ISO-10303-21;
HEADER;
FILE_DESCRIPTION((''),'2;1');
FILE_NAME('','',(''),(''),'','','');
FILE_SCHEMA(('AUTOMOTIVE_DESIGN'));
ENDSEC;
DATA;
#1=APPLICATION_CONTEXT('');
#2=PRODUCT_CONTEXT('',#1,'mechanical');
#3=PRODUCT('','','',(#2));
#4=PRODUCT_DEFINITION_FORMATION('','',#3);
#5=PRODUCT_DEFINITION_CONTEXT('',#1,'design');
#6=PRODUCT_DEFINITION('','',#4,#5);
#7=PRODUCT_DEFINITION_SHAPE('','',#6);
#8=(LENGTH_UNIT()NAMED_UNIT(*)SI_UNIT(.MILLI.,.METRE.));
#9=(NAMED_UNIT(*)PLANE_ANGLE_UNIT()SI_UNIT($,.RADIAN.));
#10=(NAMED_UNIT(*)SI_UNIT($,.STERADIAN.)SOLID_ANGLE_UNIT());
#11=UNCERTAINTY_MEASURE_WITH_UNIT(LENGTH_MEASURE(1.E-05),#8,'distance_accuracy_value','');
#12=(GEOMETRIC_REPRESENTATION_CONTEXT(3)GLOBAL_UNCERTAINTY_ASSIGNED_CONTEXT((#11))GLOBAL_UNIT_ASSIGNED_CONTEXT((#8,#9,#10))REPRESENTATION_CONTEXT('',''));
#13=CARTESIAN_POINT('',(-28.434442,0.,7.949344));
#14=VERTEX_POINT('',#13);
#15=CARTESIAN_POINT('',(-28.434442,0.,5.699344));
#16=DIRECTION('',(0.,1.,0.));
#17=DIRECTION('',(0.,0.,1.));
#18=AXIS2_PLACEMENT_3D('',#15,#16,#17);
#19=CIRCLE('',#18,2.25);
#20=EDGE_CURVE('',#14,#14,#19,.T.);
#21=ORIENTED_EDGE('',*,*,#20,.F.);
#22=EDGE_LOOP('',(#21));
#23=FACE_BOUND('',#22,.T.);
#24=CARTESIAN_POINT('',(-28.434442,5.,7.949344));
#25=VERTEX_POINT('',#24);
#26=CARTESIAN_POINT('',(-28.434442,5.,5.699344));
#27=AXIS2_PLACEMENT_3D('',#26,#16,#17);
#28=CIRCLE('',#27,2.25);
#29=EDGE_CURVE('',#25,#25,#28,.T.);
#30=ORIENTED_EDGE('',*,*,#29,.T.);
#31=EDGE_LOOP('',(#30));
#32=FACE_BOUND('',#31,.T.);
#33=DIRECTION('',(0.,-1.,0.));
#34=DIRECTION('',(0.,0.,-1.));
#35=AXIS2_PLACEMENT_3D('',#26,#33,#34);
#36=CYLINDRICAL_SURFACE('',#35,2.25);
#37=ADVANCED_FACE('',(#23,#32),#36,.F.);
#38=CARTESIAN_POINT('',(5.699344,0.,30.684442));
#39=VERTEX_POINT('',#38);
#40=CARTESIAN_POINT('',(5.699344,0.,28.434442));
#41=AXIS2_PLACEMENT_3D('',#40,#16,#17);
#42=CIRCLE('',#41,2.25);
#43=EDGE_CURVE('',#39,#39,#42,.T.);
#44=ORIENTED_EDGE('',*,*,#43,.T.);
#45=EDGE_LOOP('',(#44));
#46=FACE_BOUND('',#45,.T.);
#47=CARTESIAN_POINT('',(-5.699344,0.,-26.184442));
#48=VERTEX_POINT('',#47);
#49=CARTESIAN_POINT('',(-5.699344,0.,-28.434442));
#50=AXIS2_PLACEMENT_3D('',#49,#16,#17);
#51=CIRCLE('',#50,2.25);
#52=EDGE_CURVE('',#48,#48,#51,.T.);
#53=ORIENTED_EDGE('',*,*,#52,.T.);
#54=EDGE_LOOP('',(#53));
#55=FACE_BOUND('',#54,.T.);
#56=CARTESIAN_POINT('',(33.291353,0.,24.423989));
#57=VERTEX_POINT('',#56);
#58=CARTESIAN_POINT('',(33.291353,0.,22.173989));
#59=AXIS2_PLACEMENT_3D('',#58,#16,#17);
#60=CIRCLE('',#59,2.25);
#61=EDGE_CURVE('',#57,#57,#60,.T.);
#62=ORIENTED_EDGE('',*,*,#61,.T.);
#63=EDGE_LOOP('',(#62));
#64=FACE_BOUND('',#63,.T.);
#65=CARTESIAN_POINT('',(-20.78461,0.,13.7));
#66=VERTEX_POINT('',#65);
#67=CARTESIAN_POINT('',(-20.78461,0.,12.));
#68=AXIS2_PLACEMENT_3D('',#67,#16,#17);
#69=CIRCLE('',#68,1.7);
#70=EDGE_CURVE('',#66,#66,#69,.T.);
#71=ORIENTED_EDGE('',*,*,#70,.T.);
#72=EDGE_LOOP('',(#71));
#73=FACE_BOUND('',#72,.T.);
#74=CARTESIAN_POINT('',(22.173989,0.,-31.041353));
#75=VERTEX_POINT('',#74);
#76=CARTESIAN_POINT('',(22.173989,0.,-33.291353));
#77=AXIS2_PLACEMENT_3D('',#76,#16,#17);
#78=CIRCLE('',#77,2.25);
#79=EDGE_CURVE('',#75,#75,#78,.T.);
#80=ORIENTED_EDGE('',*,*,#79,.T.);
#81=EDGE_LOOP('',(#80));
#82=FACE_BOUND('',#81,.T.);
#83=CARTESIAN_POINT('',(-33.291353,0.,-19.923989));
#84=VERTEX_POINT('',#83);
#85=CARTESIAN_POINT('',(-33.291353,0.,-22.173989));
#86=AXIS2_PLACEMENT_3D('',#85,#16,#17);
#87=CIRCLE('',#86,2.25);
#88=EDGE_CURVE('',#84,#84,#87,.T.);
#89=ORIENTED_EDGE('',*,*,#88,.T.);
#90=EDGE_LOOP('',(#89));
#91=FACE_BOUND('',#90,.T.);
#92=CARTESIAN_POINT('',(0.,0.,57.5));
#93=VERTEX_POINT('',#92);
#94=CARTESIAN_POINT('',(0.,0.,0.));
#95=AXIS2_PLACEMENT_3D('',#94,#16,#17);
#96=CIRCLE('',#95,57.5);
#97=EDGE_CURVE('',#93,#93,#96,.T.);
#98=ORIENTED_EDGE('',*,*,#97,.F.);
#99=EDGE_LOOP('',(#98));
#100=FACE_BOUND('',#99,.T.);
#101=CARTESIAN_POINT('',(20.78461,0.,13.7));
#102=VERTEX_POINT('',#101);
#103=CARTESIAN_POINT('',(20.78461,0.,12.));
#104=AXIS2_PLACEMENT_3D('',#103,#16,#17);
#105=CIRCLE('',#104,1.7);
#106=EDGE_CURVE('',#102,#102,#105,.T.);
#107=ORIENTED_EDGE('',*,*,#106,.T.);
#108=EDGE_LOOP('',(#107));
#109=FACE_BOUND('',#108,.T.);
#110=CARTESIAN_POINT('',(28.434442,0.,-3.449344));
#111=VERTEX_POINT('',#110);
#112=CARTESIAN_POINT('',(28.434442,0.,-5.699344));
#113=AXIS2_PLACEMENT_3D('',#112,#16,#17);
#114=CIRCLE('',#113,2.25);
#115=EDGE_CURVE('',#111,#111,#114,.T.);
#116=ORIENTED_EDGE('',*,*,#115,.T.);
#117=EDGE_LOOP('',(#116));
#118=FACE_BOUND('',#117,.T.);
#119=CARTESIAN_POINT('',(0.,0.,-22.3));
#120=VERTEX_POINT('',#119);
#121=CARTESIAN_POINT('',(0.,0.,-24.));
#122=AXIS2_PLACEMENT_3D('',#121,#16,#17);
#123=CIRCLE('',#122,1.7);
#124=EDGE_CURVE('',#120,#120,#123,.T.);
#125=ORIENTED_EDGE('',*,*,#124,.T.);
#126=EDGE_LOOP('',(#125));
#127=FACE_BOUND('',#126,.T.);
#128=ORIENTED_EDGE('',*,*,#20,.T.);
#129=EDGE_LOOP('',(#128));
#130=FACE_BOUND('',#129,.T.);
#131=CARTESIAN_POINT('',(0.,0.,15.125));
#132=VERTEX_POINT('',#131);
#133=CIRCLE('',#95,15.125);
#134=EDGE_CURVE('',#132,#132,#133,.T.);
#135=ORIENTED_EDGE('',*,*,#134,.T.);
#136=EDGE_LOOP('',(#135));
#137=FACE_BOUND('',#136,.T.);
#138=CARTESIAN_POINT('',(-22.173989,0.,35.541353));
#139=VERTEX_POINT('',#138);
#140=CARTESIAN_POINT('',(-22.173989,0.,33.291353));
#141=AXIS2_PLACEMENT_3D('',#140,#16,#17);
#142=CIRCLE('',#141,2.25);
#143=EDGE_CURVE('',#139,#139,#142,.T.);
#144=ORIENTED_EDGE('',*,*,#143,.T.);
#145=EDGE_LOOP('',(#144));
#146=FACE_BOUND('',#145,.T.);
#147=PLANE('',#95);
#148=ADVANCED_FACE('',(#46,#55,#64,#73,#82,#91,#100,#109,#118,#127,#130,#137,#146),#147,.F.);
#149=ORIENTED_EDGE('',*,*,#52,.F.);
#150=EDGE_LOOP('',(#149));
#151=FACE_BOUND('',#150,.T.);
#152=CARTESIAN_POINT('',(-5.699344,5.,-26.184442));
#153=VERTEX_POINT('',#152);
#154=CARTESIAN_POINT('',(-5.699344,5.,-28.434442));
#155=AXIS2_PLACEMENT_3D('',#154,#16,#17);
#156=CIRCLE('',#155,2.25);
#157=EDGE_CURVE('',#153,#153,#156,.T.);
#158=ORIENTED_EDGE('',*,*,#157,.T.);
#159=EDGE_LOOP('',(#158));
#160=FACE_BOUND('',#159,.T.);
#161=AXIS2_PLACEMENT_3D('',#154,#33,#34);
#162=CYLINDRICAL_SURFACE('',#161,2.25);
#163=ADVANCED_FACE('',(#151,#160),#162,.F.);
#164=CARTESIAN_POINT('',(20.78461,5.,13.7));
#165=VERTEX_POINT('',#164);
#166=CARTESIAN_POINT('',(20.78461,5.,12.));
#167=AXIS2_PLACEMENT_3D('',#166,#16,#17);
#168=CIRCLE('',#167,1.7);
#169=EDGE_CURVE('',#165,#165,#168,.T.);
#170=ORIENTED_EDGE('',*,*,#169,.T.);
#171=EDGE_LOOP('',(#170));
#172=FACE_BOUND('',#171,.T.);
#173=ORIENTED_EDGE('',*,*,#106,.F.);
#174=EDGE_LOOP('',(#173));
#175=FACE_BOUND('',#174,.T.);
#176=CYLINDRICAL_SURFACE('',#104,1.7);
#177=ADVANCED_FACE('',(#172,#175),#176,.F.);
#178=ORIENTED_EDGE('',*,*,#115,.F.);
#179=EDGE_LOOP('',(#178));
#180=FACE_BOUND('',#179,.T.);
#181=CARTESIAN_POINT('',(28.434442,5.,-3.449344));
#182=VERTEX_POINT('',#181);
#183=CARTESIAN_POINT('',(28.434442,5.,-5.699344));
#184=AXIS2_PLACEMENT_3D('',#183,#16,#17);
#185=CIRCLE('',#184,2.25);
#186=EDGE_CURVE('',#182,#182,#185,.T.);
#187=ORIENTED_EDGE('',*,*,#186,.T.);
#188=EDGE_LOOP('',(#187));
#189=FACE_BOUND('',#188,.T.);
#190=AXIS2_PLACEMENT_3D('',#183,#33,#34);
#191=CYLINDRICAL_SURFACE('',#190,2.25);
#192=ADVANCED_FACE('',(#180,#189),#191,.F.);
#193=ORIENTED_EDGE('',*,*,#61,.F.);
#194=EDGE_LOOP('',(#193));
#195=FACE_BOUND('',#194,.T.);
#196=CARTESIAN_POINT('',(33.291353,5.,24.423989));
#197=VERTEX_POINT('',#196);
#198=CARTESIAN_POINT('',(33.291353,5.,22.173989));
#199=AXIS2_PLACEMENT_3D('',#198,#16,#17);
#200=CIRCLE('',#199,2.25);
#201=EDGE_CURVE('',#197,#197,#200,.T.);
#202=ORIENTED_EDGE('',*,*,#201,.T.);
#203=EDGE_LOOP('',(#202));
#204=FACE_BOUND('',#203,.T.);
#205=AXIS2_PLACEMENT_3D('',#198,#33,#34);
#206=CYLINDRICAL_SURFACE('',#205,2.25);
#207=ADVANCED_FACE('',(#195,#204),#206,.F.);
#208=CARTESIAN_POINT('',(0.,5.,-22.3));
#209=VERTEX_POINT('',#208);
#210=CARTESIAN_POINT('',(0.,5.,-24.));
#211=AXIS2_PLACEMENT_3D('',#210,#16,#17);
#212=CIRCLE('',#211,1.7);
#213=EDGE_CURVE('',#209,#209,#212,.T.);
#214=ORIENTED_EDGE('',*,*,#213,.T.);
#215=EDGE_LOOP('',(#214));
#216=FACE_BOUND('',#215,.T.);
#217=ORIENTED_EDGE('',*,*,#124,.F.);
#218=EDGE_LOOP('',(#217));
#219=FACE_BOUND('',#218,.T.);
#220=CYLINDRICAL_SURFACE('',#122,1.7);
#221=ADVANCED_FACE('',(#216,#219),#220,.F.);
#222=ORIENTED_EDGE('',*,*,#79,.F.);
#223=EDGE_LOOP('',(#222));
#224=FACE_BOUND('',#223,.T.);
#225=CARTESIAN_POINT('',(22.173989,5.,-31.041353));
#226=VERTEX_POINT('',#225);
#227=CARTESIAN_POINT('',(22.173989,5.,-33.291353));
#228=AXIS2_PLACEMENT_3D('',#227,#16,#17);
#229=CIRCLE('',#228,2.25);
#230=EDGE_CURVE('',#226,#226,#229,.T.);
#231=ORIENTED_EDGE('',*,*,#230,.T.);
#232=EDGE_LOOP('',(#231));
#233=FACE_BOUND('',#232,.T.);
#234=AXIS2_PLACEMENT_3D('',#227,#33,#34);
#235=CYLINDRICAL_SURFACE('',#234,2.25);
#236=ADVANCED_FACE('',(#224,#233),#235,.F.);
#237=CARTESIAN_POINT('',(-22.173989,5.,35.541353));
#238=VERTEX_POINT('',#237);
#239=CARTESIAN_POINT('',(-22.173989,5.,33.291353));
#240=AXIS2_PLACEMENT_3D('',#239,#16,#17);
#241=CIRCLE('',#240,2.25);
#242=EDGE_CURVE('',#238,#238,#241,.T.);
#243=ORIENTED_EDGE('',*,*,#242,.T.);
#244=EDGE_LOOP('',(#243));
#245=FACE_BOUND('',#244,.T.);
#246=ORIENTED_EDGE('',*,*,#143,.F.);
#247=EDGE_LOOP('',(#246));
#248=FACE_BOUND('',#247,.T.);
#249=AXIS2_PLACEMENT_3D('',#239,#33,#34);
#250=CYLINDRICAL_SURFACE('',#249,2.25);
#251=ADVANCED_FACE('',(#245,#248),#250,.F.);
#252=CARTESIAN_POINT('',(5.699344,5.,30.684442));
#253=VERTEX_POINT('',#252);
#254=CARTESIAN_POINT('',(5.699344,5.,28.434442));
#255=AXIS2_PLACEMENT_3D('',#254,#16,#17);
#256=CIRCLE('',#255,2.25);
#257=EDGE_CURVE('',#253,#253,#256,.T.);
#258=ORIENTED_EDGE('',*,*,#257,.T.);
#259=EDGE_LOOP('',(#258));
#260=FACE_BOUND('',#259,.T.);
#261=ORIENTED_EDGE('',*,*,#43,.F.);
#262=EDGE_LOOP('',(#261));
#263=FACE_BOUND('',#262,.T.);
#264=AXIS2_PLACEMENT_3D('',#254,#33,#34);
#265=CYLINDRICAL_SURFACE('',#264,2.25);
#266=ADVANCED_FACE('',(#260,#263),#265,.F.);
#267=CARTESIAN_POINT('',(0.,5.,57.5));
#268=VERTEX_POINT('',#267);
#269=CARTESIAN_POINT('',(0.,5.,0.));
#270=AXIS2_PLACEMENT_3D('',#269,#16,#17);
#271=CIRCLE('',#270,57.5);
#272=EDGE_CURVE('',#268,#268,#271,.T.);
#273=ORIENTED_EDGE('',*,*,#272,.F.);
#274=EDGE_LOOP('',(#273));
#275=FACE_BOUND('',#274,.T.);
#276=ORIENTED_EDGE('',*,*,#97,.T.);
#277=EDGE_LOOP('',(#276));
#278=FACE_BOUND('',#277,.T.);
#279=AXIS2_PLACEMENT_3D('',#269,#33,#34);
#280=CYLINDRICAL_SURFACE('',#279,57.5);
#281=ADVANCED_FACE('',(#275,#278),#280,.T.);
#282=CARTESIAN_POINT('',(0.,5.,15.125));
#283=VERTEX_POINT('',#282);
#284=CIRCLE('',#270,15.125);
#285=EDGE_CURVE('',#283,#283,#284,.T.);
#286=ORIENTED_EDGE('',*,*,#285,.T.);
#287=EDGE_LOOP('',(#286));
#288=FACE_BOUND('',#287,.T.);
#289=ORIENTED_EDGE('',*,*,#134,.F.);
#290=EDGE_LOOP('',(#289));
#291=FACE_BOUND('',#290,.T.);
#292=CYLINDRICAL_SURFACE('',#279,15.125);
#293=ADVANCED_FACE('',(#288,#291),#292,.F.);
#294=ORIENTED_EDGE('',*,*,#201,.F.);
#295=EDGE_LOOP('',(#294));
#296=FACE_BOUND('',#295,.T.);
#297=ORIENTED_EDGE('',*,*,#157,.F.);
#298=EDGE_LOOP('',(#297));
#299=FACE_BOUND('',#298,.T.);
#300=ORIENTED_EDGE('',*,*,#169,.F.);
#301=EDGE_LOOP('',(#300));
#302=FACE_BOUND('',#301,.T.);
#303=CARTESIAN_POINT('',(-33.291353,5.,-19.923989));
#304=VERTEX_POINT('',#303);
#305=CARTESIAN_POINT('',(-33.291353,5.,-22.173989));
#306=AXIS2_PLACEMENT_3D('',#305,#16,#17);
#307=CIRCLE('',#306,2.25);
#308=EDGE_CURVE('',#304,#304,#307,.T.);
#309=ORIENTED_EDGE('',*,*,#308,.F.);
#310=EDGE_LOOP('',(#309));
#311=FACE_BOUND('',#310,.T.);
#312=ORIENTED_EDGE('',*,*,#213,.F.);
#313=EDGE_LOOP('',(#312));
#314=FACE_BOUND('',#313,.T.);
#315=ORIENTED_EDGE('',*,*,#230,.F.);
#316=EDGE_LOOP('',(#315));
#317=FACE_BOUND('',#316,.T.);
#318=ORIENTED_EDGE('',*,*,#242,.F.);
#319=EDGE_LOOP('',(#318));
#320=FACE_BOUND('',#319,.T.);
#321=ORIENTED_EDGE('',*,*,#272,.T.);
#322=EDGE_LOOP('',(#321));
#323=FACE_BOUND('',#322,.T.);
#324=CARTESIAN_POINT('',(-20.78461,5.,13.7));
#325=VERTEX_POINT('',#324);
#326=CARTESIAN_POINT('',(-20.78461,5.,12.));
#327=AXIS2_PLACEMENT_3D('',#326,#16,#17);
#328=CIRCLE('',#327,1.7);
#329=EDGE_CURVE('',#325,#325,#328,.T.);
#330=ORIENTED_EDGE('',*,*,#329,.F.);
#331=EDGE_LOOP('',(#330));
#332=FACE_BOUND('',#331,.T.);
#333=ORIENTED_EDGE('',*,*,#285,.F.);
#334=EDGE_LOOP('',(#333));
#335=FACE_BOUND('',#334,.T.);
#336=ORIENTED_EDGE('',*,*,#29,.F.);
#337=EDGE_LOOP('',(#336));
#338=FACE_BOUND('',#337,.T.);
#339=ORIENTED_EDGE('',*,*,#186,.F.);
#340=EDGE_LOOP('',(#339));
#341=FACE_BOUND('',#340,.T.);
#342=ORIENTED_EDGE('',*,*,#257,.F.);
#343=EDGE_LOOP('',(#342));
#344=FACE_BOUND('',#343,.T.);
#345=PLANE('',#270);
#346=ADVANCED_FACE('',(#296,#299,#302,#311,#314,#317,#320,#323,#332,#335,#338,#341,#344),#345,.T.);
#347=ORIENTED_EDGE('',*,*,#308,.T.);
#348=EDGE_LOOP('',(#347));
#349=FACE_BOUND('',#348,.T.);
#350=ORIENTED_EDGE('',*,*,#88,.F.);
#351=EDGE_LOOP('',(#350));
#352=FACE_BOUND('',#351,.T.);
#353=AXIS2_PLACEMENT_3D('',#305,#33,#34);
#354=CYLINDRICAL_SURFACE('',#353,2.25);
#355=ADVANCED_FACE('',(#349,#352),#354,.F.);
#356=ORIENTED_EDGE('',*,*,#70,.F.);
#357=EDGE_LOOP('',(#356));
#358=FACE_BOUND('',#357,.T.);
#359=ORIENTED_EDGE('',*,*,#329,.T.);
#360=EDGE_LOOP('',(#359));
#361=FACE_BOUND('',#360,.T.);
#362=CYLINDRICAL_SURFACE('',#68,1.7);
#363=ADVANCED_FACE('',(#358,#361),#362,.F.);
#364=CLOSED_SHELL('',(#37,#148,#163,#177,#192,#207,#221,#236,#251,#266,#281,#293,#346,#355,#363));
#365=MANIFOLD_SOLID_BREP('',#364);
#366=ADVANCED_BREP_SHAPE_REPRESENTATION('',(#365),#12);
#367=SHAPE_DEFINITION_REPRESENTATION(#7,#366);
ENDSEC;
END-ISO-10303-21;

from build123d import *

# Parameters (mm, degrees)
SKETCH1_R           = 57.5
SKETCH1_R_2         = 15.125
SKETCH1_R_3         = 2.25
BOSS_EXTRUDE1_DEPTH = 5
SKETCH3_R           = 1.7
CUT_EXTRUDE1_DEPTH  = 82.470853684


with BuildPart() as part:
    # Sketch1 → Boss-Extrude1 (new body)
    with BuildSketch(Plane(origin=(0, 0, 0), x_dir=(1, 0, 0), z_dir=(0, 1, 0))):
        with Locations(Location((0, 0, 0), (0, 0, 270))):
            Circle(SKETCH1_R)
        with Locations(Location((0, 0, 0), (0, 0, 270))):
            Circle(SKETCH1_R_2, mode=Mode.SUBTRACT)
        with Locations(Location((5.699343677, -28.434441821, 0), (0, 0, 270))):
            Circle(SKETCH1_R_3, mode=Mode.SUBTRACT)
        with Locations(Location((33.29135337, -22.173989059, 0), (0, 0, 270))):
            Circle(SKETCH1_R_3, mode=Mode.SUBTRACT)
        with Locations(Location((-28.434441821, -5.699343677, 0), (0, 0, 270))):
            Circle(SKETCH1_R_3, mode=Mode.SUBTRACT)
        with Locations(Location((-22.173989059, -33.29135337, 0), (0, 0, 270))):
            Circle(SKETCH1_R_3, mode=Mode.SUBTRACT)
        with Locations(Location((-5.699343677, 28.434441821, 0), (0, 0, 270))):
            Circle(SKETCH1_R_3, mode=Mode.SUBTRACT)
        with Locations(Location((-33.29135337, 22.173989059, 0), (0, 0, 270))):
            Circle(SKETCH1_R_3, mode=Mode.SUBTRACT)
        with Locations(Location((28.434441821, 5.699343677, 0), (0, 0, 270))):
            Circle(SKETCH1_R_3, mode=Mode.SUBTRACT)
        with Locations(Location((22.173989059, 33.29135337, 0), (0, 0, 270))):
            Circle(SKETCH1_R_3, mode=Mode.SUBTRACT)
    extrude(amount=BOSS_EXTRUDE1_DEPTH)

    # Sketch3 → Cut-Extrude1 (cut, through all)
    with BuildSketch(Plane(origin=(0, 5, 0), x_dir=(1, 0, 0), z_dir=(0, 1, 0))):
        with Locations(Location((0, 24, 0), (0, 0, 270))):
            Circle(SKETCH3_R)
        with Locations(Location((20.784609691, -12, 0), (0, 0, 270))):
            Circle(SKETCH3_R)
        with Locations(Location((-20.784609691, -12, 0), (0, 0, 270))):
            Circle(SKETCH3_R)
    extrude(amount=-CUT_EXTRUDE1_DEPTH, mode=Mode.SUBTRACT)


solid = part.part
